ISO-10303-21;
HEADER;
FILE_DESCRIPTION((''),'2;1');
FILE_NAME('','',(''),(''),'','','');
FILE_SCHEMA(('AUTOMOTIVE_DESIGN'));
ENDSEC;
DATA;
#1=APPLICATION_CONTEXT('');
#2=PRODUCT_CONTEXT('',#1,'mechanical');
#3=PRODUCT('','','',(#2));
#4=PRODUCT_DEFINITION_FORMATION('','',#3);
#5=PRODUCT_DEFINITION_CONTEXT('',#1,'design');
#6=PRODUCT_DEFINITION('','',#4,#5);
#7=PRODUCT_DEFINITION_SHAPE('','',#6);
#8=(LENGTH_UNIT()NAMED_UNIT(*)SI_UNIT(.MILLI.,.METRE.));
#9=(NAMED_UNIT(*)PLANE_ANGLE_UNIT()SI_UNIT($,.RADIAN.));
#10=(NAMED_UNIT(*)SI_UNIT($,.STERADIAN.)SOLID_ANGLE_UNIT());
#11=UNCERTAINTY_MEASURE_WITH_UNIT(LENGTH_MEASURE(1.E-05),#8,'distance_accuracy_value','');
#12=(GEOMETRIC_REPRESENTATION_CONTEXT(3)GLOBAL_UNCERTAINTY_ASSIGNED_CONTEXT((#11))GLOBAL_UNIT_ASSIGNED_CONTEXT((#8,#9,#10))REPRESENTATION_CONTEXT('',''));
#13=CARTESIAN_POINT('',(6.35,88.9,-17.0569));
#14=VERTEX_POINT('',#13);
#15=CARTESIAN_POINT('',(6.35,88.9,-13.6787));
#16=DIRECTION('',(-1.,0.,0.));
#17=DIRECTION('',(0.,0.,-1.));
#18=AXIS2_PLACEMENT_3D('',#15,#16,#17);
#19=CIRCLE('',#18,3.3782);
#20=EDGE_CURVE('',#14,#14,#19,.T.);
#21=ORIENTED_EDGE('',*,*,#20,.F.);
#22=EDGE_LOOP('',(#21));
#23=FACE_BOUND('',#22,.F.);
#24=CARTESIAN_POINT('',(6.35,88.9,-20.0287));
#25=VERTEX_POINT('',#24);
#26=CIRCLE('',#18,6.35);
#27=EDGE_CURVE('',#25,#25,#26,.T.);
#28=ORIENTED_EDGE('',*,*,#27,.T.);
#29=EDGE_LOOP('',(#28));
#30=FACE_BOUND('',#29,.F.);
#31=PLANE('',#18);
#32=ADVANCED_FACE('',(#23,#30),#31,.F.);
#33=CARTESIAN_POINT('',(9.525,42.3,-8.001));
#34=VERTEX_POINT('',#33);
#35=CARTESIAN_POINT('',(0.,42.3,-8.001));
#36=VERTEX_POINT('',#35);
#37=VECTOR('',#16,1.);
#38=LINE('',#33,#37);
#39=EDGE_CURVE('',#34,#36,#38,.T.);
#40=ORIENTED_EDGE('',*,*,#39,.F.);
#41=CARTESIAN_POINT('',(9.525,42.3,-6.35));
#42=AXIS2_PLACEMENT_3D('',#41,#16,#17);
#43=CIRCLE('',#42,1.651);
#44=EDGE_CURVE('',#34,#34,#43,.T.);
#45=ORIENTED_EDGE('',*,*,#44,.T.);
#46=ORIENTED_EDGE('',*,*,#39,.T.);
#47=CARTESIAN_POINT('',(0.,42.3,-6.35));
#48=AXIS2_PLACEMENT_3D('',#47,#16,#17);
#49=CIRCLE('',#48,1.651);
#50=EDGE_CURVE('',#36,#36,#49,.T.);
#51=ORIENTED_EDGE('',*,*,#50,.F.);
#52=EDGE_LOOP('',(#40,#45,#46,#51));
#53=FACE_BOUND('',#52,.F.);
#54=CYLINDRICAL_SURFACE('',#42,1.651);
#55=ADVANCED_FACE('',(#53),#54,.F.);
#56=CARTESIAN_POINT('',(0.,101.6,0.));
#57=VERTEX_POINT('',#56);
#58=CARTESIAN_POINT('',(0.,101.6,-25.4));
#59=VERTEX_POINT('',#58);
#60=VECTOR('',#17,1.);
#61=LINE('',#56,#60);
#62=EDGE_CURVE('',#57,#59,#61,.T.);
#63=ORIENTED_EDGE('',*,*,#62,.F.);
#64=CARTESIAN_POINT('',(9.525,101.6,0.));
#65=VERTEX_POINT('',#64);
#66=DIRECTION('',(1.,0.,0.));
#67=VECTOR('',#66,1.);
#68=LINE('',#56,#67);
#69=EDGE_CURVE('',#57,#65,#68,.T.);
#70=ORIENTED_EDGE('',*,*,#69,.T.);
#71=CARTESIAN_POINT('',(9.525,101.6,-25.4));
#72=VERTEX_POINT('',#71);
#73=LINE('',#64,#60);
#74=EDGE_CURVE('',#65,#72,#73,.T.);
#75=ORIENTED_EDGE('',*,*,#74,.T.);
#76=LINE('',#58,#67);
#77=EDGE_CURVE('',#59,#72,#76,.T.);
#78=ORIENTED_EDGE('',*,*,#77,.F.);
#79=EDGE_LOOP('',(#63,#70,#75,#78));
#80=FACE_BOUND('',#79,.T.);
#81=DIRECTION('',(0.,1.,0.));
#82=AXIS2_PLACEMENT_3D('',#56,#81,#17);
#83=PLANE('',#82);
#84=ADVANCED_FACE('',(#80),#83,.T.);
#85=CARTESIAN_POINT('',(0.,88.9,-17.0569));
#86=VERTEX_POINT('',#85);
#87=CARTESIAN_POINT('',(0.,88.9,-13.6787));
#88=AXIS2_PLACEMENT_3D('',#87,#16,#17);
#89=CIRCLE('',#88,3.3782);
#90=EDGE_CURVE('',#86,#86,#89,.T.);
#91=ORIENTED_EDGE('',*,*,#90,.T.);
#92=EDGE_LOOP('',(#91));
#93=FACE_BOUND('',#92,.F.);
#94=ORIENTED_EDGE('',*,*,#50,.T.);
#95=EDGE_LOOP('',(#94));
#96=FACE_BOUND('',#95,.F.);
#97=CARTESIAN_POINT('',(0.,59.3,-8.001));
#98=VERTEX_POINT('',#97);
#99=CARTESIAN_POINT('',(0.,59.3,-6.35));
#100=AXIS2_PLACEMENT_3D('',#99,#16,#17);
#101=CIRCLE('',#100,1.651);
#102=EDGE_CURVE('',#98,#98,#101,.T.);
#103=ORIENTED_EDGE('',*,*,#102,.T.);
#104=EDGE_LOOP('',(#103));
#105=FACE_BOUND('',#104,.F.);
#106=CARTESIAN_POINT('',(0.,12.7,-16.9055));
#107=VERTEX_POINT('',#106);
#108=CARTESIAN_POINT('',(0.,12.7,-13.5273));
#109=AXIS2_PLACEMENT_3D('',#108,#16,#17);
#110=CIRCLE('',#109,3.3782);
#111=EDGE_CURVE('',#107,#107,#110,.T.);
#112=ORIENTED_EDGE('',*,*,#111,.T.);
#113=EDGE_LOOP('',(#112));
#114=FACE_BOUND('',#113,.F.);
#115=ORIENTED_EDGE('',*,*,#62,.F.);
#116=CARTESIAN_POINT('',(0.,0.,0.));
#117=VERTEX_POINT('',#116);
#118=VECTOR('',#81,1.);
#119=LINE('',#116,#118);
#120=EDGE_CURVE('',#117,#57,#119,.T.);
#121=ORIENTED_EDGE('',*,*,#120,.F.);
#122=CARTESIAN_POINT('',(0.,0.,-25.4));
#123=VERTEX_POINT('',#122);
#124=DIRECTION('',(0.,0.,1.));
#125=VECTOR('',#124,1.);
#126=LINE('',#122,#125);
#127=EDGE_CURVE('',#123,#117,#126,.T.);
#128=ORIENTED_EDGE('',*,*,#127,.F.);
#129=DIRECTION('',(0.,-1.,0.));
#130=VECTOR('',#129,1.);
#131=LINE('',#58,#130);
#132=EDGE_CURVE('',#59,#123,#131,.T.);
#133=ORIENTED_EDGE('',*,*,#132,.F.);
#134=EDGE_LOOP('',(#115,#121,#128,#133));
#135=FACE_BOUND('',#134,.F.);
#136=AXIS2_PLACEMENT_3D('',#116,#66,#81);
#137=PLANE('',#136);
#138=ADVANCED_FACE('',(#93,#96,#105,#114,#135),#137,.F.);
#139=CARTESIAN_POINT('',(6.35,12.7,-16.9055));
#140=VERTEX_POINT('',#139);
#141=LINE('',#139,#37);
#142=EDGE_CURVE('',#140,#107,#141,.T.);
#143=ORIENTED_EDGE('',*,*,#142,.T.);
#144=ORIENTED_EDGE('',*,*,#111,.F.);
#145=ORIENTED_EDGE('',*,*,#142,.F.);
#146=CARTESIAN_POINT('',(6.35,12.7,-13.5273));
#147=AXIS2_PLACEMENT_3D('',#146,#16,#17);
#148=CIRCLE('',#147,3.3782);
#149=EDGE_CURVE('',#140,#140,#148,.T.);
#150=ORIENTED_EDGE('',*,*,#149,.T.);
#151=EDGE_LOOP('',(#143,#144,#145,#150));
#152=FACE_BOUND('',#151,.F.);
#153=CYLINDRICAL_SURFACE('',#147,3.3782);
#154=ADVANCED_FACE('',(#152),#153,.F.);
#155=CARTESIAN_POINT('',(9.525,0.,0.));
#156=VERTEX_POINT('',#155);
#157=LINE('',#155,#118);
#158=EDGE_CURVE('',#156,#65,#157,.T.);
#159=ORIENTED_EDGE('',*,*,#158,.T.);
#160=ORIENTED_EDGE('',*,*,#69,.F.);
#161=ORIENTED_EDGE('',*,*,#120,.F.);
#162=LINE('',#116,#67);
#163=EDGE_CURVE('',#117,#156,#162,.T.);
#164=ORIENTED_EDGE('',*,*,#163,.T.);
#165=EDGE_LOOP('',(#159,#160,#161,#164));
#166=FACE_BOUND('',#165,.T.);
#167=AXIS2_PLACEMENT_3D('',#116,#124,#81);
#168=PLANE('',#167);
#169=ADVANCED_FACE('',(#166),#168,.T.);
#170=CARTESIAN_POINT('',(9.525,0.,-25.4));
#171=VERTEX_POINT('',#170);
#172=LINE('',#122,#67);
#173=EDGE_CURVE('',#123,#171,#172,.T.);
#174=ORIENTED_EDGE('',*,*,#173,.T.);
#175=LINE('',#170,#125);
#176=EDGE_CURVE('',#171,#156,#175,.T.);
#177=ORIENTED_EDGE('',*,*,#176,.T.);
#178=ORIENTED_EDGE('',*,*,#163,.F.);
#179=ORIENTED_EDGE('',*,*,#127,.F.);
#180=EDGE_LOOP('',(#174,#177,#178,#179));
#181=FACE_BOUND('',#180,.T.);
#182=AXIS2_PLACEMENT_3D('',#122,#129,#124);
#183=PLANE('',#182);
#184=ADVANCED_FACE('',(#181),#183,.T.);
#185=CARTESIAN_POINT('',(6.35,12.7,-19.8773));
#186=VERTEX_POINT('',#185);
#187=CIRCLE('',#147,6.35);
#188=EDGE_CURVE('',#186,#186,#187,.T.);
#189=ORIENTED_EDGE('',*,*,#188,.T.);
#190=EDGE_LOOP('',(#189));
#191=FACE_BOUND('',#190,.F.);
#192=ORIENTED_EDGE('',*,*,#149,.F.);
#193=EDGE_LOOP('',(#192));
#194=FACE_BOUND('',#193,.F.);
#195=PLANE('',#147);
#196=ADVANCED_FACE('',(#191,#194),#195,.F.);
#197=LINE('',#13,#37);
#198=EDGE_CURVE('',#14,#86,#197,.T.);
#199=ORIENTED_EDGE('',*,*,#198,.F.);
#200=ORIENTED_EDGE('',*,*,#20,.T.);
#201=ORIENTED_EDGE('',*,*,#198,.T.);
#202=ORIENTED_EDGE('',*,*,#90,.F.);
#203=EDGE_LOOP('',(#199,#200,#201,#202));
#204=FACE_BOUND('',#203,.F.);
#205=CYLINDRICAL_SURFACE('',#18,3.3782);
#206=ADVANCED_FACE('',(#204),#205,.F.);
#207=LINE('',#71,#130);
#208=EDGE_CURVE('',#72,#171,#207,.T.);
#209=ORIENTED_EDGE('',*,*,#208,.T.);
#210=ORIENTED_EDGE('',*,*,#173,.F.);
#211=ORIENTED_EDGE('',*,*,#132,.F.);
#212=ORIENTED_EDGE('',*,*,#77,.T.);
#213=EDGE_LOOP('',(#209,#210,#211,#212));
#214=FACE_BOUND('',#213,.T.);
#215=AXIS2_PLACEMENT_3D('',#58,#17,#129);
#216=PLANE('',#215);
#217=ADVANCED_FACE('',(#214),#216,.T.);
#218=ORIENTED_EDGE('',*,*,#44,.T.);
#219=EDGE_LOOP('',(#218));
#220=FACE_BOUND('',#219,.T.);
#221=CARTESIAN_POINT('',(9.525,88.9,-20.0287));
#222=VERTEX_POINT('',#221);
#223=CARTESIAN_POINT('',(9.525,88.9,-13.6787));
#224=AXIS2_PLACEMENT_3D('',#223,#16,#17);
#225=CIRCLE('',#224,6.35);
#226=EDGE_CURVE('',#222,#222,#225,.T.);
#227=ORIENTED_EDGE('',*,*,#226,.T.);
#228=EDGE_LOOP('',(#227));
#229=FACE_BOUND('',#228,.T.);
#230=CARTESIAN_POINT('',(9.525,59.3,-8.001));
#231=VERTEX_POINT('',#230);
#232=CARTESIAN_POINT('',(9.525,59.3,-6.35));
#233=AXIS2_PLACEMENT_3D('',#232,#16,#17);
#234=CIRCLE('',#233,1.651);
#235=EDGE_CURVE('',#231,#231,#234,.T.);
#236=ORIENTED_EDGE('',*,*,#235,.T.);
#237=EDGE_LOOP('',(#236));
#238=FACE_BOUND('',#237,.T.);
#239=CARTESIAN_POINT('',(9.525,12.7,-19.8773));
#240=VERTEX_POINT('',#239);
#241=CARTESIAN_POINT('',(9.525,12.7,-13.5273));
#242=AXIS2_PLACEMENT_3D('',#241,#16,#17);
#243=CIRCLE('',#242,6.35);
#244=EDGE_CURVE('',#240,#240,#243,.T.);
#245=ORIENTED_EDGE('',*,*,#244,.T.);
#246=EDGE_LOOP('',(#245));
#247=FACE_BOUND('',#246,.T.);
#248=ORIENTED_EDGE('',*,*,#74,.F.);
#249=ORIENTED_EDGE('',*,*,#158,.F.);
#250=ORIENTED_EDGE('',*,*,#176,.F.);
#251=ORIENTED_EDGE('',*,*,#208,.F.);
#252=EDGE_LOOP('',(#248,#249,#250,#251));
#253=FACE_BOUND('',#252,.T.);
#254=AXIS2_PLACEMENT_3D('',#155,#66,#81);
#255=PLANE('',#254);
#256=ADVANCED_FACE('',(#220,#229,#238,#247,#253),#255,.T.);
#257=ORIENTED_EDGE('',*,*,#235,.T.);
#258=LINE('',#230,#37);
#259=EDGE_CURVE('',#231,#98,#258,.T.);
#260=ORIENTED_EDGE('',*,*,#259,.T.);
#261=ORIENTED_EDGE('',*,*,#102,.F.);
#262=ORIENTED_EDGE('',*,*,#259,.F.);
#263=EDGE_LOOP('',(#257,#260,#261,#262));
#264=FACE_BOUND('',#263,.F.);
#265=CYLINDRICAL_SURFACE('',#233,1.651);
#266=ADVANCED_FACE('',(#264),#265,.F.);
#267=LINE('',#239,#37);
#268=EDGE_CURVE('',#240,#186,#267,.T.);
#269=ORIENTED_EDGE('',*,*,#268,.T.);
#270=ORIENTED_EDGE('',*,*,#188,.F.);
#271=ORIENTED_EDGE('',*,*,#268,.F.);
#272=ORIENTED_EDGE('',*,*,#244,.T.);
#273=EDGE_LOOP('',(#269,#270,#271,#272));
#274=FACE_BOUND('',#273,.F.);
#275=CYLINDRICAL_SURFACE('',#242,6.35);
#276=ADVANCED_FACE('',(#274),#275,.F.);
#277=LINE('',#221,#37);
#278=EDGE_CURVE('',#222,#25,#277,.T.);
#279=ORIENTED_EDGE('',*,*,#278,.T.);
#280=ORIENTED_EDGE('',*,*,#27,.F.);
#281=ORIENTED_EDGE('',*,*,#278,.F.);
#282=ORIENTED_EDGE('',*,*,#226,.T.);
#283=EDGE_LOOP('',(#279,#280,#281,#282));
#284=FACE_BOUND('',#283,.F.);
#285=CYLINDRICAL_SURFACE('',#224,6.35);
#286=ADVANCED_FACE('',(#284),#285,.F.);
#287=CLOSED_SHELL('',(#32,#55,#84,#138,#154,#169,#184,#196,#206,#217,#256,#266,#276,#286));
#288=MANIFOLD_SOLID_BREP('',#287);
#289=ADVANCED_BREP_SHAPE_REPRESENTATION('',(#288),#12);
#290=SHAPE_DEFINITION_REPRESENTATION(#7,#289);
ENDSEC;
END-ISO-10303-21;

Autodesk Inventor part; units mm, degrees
ref_plane "YZ Plane" through (0, 0, 0) normal (1, 0, 0) x (0, 1, 0)
ref_plane "XZ Plane" through (0, 0, 0) normal (0, 1, 0) x (-1, 0, 0)
ref_plane "XY Plane" through (0, 0, 0) normal (0, 0, 1) x (1, 0, 0)
sketch "Sketch1" plane through (0, 0, 0) normal (1, 0, 0) x (0, 1, 0)
  line L0 (0, 0) -> (101.6, 0)
  line L1 (101.6, 0) -> (101.6, -25.4)
  line L2 (101.6, -25.4) -> (0, -25.4)
  line L3 (0, -25.4) -> (0, 0)
  point P0 (95.25, -12.7)
  point P1 (6.35, -12.7)
  dimension "d0" = 25.4
  dimension "d1" = 101.6
  dimension "d4" = 6.35
  dimension "d5" = 12.7
  dimension "d6" = 6.35
extrude "Extrusion1" add sketch "Sketch1" along normal blind 9.525
sketch "Sketch2" plane through (9.525, 0, 0) normal (1, 0, 0) x (0, 0, -1)
  line L0 (25.4, 101.6) -> (0, 101.6) projected
  point P0 (0, 0)
  point P1 (13.6787, 88.9)
  dimension "d22" = 12.7
hole "Hole1" at (9.525, 88.9, -13.6787) direction (-1, 0, 0) diameter 6.7564 end through all counterbore diameter 12.7 counterbore depth 3.175
sketch "Sketch3" plane through (9.525, 0, 0) normal (1, 0, 0) x (0, 0, -1)
  line L0 (0, 0) -> (25.4, 0) projected
  point P0 (13.5273, 12.7)
  dimension "d21" = 12.7
hole "Hole2" at (9.525, 12.7, -13.5273) direction (-1, 0, 0) diameter 6.7564 end through all counterbore diameter 12.7 counterbore depth 3.175
sketch "Sketch4" plane through (9.525, 0, 0) normal (1, 0, 0) x (0, 0, -1)
  line L0 (0, 101.6) -> (0, 0) projected
  line L1 (25.4, 101.6) -> (0, 101.6) projected
  point P0 (6.35, 59.3)
  dimension "d30" = 6.35
  dimension "d31" = 42.3
hole "Hole3" at (9.525, 59.3, -6.35) direction (-1, 0, 0) diameter 3.302 end through all thread size "8-32 UNC" class "2B" standard "ANSI Unified Screw Threads"
sketch "Sketch5" plane through (9.525, 0, 0) normal (1, 0, 0) x (0, 0, -1)
  line L0 (0, 0) -> (25.4, 0) projected
  line L1 (0, 101.6) -> (0, 0) projected
  point P0 (6.35, 42.3)
  dimension "d39" = 42.3
  dimension "d40" = 6.35
hole "Hole4" at (9.525, 42.3, -6.35) direction (-1, 0, 0) diameter 3.302 end through all thread size "8-32 UNC" class "2B" standard "ANSI Unified Screw Threads"
properties part number "NeedleValvePanel V1"
